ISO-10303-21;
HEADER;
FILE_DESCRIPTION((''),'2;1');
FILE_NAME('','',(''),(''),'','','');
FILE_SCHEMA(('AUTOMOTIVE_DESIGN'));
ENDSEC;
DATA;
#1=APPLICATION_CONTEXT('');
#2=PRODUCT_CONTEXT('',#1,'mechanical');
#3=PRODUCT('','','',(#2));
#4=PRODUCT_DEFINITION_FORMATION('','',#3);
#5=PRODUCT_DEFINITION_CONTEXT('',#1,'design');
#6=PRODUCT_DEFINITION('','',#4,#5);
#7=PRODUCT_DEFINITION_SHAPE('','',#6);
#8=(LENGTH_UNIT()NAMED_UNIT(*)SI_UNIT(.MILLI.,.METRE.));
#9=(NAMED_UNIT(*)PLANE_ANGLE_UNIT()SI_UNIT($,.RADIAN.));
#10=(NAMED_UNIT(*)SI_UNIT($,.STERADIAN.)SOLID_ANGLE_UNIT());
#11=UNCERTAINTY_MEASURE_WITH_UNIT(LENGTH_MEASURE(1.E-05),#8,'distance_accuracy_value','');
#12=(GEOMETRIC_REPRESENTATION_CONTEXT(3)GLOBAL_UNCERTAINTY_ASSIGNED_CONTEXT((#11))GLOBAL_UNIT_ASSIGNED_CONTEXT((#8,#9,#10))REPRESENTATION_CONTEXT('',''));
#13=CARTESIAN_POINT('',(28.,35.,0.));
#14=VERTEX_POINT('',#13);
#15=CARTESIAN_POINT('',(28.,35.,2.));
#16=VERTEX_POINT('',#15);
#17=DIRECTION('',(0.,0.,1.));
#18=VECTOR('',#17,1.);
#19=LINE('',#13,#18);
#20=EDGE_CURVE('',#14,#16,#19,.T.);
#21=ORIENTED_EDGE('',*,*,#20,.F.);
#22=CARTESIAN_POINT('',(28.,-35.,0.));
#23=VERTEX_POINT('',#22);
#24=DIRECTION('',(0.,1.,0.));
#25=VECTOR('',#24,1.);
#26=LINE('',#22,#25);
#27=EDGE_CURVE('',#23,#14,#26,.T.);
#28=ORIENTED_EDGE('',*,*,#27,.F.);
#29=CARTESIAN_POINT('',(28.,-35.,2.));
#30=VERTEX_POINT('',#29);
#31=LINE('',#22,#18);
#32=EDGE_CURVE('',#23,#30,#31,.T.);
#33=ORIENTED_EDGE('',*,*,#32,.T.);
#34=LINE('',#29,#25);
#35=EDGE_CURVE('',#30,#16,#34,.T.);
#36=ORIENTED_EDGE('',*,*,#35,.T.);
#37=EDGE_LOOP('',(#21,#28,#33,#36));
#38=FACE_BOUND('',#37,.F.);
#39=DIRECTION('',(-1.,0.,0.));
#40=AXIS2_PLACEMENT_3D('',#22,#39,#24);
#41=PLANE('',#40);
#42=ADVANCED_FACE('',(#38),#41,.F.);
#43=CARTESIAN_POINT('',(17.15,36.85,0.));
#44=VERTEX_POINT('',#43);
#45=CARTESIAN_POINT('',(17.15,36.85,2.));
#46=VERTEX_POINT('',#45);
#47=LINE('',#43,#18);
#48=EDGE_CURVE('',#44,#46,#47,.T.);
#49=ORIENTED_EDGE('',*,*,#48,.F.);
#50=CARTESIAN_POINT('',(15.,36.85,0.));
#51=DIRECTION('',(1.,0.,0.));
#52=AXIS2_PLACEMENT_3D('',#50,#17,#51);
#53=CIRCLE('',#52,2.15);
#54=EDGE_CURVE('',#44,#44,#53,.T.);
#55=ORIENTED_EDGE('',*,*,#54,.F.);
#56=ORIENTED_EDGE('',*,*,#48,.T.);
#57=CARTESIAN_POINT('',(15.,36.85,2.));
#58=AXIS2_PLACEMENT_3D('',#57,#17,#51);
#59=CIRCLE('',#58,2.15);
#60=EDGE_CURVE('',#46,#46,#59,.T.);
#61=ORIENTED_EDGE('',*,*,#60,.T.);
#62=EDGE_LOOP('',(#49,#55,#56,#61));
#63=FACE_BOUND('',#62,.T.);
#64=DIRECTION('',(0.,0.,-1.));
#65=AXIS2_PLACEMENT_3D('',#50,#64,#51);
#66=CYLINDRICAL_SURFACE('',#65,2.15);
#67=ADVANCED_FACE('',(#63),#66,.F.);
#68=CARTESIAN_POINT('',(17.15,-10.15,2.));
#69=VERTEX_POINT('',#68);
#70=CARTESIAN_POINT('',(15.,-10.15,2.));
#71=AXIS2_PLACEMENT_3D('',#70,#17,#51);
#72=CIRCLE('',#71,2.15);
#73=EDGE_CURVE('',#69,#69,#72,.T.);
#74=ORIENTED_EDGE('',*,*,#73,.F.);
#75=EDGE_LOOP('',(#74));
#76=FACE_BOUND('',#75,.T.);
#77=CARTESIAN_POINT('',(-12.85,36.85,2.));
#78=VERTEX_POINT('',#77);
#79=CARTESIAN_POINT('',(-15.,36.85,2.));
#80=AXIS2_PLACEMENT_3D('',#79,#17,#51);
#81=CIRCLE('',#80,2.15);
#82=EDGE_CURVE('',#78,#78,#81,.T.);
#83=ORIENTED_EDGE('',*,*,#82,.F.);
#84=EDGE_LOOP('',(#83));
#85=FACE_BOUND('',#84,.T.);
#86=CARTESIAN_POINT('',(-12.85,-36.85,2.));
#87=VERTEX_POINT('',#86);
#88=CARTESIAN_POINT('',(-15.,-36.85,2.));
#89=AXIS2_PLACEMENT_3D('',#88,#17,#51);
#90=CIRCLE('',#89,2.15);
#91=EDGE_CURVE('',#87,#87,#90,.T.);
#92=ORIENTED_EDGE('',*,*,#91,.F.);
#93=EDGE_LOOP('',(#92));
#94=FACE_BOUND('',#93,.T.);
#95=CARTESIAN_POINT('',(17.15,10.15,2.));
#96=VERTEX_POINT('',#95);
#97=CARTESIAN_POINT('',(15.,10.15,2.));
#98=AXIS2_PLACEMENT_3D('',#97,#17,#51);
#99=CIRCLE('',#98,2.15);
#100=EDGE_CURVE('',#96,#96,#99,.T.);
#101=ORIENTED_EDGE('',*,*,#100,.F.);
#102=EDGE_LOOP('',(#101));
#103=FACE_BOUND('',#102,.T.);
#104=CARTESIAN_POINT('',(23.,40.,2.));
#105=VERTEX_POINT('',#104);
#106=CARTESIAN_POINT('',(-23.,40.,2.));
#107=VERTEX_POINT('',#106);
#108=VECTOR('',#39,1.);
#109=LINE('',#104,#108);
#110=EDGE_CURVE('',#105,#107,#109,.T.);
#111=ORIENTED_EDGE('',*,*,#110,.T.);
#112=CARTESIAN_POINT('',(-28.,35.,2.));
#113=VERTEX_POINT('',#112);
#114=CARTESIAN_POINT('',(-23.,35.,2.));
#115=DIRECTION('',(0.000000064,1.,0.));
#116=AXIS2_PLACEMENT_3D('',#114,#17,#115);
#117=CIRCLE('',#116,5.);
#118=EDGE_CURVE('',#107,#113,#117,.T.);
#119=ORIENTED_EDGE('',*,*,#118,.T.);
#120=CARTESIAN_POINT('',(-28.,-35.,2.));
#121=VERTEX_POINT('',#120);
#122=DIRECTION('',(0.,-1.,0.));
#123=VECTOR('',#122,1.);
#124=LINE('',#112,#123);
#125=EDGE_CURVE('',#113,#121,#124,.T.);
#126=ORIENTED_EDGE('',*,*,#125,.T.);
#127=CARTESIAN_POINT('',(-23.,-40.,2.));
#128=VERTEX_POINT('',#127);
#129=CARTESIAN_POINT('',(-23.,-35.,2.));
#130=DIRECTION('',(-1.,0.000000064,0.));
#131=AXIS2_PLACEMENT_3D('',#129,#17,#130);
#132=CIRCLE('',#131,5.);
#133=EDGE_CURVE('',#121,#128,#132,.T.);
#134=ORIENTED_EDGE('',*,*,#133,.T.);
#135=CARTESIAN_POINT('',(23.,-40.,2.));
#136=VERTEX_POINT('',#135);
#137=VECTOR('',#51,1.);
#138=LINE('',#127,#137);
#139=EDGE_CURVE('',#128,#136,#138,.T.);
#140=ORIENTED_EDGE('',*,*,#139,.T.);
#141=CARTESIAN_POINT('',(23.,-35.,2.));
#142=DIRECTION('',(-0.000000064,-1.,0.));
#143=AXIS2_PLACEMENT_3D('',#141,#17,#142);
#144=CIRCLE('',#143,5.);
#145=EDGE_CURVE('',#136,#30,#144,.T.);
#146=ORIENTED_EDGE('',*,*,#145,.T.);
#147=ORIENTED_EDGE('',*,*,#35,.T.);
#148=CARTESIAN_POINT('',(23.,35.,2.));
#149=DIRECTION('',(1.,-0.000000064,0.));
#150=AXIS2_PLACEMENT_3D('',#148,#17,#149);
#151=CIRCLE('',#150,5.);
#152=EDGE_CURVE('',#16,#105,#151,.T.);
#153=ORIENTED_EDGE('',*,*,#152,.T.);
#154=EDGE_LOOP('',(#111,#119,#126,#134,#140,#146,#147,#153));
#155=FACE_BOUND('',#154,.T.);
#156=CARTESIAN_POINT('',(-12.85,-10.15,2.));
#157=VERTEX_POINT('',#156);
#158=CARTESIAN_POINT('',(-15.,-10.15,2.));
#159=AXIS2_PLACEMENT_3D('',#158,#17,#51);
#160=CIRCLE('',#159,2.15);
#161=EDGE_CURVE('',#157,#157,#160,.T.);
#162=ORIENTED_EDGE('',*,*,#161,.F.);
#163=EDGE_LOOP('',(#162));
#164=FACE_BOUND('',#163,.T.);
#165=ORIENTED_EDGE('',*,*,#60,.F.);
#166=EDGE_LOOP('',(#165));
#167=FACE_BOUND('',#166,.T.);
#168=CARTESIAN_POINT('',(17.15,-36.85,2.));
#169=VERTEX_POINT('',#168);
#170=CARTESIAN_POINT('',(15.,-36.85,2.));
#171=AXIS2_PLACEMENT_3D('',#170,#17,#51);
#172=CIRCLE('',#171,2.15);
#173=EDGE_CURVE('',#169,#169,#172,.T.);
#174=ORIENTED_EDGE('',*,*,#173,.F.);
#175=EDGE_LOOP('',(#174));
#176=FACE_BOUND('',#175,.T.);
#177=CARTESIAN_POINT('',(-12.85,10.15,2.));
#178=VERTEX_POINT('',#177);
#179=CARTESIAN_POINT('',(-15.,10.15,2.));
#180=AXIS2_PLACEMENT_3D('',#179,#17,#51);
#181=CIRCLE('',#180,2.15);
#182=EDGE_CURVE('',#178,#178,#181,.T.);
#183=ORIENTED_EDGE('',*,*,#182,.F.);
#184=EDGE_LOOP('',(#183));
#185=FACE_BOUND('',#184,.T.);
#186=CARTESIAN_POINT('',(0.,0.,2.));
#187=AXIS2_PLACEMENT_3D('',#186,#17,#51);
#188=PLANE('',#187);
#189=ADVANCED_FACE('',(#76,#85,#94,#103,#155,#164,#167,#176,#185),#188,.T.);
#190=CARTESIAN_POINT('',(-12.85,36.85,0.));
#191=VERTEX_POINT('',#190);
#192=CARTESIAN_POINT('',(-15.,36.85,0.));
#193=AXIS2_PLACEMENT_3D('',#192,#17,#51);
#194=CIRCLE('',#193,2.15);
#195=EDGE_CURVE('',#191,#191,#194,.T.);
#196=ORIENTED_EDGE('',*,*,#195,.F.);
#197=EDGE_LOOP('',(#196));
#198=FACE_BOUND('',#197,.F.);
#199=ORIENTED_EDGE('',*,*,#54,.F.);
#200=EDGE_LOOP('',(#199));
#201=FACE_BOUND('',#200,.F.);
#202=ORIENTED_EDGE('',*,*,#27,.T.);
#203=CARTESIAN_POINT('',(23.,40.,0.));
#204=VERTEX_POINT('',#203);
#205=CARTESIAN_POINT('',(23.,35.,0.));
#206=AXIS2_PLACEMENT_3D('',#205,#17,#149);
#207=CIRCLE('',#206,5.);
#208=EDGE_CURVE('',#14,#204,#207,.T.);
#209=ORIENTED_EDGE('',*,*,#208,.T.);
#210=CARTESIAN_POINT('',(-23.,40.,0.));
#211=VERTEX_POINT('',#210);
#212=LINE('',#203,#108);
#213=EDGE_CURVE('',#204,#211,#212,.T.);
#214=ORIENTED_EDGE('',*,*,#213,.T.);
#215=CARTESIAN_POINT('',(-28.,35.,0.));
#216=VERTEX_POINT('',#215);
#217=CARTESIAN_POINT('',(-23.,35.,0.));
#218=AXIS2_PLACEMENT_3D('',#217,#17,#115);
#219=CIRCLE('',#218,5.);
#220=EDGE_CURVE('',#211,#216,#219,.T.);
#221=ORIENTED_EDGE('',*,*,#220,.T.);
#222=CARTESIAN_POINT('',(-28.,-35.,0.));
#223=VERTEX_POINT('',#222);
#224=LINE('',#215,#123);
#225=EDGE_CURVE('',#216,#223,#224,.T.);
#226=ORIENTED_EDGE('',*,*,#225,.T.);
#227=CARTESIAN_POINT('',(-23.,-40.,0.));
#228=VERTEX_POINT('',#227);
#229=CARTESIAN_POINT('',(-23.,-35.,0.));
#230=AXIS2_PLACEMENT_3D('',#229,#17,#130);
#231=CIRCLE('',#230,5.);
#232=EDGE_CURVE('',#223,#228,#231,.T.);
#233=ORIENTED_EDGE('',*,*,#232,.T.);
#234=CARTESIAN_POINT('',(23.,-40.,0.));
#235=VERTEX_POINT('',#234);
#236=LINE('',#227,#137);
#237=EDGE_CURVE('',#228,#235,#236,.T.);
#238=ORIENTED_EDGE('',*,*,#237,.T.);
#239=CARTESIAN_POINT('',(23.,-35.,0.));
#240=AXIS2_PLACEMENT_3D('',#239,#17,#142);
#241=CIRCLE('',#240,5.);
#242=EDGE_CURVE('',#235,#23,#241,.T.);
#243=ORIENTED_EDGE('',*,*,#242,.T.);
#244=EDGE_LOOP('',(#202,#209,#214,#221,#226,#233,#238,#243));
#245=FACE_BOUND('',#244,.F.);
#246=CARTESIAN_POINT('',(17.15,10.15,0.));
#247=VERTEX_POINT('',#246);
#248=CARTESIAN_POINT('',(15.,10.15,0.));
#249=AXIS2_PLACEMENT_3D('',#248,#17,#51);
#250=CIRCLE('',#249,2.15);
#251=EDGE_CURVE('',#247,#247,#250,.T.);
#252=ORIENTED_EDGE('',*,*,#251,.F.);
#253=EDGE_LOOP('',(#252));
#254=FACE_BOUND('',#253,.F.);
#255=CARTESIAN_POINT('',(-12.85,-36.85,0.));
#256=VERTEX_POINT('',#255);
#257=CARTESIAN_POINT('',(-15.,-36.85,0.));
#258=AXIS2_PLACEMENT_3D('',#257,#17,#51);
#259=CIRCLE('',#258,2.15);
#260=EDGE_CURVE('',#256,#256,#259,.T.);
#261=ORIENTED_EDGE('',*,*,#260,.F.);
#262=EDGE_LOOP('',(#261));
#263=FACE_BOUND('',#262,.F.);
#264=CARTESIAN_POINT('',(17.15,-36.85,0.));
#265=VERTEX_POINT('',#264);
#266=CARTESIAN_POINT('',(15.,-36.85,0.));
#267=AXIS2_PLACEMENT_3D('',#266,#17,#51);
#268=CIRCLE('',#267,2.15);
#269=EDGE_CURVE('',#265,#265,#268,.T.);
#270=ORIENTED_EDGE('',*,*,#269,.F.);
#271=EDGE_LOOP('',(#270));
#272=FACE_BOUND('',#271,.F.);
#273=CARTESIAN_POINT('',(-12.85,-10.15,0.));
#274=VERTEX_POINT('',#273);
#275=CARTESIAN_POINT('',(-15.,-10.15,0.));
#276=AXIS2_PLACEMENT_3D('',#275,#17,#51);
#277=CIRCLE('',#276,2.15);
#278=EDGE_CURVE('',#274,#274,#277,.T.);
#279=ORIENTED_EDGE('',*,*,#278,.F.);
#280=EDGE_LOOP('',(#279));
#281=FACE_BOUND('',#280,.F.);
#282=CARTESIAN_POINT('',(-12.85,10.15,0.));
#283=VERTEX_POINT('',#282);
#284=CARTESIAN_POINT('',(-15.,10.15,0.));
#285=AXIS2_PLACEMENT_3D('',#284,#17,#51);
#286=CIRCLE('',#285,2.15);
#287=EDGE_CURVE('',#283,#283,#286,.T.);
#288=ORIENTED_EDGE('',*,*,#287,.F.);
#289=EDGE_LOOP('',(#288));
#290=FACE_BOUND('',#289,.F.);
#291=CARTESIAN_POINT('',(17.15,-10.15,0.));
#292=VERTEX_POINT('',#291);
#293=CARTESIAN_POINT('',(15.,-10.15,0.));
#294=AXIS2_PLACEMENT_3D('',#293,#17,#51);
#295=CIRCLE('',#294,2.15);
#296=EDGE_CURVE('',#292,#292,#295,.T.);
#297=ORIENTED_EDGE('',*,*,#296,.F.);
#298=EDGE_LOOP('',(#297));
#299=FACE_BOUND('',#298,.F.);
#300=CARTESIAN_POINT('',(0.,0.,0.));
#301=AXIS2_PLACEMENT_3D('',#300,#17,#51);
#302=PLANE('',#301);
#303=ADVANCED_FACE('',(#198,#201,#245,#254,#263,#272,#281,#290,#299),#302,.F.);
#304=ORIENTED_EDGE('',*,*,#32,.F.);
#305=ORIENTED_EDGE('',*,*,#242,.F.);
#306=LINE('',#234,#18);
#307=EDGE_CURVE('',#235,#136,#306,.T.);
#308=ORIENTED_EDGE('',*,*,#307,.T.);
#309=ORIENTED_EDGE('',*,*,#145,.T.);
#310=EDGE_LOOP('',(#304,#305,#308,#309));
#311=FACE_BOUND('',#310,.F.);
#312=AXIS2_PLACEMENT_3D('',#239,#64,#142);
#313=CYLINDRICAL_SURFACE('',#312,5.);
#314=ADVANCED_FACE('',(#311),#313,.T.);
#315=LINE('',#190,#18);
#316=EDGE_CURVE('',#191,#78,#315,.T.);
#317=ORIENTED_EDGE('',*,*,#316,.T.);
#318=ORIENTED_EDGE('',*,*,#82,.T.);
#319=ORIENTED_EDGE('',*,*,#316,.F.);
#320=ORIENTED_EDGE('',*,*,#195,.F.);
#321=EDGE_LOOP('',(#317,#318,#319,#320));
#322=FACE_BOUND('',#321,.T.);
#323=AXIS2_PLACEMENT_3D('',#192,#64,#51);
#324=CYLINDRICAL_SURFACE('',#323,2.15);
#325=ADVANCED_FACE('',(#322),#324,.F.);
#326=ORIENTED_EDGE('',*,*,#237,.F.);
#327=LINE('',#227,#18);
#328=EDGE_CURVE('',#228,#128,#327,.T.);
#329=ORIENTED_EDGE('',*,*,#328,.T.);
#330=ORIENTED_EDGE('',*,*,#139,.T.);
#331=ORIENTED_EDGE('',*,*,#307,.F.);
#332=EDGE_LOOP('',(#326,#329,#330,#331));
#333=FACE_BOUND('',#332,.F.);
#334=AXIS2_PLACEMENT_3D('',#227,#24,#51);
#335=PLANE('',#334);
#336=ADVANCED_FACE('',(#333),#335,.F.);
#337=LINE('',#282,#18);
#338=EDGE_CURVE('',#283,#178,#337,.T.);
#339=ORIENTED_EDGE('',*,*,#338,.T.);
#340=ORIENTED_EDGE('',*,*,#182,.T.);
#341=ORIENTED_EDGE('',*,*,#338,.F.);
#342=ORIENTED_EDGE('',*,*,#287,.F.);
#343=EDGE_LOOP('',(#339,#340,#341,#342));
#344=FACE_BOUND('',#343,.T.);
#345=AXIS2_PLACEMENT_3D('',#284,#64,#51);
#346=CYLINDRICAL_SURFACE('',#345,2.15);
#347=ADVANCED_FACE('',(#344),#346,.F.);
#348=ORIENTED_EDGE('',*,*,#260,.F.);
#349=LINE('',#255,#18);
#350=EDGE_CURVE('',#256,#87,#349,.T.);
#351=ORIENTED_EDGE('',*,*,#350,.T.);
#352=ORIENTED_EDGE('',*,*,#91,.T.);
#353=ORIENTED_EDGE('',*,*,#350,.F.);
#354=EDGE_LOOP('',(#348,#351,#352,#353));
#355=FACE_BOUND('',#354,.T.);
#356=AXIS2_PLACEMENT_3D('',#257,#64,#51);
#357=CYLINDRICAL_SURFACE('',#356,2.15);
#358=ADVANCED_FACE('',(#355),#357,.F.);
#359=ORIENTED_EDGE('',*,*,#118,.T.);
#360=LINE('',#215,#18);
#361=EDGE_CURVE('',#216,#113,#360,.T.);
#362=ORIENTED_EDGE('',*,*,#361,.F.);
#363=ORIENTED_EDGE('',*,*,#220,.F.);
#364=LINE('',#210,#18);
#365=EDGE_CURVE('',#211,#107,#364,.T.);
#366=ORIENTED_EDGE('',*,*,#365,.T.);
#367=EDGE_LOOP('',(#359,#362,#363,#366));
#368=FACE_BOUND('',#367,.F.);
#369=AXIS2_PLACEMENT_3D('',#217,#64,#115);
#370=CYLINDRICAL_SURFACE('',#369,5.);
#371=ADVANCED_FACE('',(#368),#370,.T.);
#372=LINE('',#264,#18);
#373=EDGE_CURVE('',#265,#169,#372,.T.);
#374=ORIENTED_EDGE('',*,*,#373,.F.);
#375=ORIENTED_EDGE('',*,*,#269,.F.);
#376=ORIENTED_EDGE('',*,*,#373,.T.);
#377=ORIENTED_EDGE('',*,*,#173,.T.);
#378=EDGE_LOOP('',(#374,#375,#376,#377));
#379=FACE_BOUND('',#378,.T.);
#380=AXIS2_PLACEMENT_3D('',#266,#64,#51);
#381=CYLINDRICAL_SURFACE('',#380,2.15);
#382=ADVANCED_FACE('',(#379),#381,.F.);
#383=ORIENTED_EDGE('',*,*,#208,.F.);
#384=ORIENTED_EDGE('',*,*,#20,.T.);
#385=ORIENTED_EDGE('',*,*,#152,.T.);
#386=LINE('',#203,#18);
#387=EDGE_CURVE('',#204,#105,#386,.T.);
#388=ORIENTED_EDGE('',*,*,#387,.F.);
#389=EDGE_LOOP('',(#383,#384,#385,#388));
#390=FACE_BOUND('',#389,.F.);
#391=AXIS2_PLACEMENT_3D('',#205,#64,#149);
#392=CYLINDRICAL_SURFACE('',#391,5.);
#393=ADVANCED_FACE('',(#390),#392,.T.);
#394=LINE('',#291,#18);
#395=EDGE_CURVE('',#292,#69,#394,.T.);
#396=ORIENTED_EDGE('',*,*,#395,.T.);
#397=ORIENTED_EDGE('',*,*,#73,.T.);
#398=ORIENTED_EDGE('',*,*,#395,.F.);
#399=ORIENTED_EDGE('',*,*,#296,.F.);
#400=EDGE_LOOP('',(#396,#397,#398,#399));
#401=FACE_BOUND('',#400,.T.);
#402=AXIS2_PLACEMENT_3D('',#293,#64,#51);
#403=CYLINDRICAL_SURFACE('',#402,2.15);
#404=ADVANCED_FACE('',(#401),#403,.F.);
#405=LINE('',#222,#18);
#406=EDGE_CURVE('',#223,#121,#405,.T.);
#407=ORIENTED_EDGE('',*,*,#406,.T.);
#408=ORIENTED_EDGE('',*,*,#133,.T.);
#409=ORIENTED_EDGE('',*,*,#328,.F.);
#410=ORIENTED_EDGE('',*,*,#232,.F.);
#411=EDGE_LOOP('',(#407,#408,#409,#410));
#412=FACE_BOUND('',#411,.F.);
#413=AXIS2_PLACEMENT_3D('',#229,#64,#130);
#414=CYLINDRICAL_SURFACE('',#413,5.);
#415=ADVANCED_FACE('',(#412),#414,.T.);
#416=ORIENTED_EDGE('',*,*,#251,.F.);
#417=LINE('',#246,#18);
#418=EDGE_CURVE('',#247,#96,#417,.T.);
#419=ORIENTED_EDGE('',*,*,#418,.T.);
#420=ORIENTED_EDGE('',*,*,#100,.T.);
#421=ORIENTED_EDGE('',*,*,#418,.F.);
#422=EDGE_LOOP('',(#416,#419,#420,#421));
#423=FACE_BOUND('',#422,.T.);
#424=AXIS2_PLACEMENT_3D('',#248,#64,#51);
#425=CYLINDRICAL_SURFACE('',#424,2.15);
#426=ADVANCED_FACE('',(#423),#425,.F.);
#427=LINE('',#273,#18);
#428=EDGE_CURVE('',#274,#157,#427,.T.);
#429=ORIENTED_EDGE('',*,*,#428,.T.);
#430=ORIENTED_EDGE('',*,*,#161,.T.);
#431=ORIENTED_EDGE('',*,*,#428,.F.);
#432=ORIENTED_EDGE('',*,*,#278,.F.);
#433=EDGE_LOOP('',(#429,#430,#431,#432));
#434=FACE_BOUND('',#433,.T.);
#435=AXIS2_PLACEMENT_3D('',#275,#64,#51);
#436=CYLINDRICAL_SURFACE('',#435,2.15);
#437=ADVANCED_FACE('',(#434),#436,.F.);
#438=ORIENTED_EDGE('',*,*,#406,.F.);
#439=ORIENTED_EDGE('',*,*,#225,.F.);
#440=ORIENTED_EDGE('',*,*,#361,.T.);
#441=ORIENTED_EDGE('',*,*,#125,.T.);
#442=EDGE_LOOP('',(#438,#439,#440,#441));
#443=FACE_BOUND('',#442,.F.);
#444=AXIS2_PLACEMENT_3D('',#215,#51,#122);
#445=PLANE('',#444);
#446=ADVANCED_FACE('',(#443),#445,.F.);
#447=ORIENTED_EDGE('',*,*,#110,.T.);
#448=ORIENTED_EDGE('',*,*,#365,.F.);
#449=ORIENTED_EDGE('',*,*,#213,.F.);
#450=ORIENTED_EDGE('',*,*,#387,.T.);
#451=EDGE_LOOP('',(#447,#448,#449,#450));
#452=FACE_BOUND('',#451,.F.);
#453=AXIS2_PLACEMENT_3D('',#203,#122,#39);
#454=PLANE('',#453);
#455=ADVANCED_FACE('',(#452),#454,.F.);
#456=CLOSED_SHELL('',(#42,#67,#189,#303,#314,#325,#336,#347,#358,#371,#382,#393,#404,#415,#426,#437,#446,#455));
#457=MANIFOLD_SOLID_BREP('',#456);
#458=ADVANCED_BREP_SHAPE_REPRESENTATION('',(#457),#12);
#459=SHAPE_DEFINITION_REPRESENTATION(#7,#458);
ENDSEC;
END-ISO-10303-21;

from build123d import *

# Parameters (mm, degrees)
F0_R     = 2.15
F1_DEPTH = 2


with BuildPart() as f1:
    # F0 (on Top) → F1 (new body)
    with BuildSketch(Plane.XY):
        with BuildLine():
            ThreePointArc((28, 35), (26.535534, 38.535534), (23, 40))
            Line((23, 40), (-23, 40))
            ThreePointArc((-23, 40), (-26.535534, 38.535534), (-28, 35))
            Line((-28, 35), (-28, -35))
            ThreePointArc((-28, -35), (-26.535534, -38.535534), (-23, -40))
            Line((-23, -40), (23, -40))
            ThreePointArc((23, -40), (26.535534, -38.535534), (28, -35))
            Line((28, -35), (28, 35))
        make_face()
        with Locations((-15, -36.85)):
            Circle(F0_R, mode=Mode.SUBTRACT)
        with Locations((-15, -10.15)):
            Circle(F0_R, mode=Mode.SUBTRACT)
        with Locations((15, -36.85)):
            Circle(F0_R, mode=Mode.SUBTRACT)
        with Locations((15, -10.15)):
            Circle(F0_R, mode=Mode.SUBTRACT)
        with Locations((-15, 10.15)):
            Circle(F0_R, mode=Mode.SUBTRACT)
        with Locations((-15, 36.85)):
            Circle(F0_R, mode=Mode.SUBTRACT)
        with Locations((15, 10.15)):
            Circle(F0_R, mode=Mode.SUBTRACT)
        with Locations((15, 36.85)):
            Circle(F0_R, mode=Mode.SUBTRACT)
    extrude(amount=F1_DEPTH)


solid = f1.part
